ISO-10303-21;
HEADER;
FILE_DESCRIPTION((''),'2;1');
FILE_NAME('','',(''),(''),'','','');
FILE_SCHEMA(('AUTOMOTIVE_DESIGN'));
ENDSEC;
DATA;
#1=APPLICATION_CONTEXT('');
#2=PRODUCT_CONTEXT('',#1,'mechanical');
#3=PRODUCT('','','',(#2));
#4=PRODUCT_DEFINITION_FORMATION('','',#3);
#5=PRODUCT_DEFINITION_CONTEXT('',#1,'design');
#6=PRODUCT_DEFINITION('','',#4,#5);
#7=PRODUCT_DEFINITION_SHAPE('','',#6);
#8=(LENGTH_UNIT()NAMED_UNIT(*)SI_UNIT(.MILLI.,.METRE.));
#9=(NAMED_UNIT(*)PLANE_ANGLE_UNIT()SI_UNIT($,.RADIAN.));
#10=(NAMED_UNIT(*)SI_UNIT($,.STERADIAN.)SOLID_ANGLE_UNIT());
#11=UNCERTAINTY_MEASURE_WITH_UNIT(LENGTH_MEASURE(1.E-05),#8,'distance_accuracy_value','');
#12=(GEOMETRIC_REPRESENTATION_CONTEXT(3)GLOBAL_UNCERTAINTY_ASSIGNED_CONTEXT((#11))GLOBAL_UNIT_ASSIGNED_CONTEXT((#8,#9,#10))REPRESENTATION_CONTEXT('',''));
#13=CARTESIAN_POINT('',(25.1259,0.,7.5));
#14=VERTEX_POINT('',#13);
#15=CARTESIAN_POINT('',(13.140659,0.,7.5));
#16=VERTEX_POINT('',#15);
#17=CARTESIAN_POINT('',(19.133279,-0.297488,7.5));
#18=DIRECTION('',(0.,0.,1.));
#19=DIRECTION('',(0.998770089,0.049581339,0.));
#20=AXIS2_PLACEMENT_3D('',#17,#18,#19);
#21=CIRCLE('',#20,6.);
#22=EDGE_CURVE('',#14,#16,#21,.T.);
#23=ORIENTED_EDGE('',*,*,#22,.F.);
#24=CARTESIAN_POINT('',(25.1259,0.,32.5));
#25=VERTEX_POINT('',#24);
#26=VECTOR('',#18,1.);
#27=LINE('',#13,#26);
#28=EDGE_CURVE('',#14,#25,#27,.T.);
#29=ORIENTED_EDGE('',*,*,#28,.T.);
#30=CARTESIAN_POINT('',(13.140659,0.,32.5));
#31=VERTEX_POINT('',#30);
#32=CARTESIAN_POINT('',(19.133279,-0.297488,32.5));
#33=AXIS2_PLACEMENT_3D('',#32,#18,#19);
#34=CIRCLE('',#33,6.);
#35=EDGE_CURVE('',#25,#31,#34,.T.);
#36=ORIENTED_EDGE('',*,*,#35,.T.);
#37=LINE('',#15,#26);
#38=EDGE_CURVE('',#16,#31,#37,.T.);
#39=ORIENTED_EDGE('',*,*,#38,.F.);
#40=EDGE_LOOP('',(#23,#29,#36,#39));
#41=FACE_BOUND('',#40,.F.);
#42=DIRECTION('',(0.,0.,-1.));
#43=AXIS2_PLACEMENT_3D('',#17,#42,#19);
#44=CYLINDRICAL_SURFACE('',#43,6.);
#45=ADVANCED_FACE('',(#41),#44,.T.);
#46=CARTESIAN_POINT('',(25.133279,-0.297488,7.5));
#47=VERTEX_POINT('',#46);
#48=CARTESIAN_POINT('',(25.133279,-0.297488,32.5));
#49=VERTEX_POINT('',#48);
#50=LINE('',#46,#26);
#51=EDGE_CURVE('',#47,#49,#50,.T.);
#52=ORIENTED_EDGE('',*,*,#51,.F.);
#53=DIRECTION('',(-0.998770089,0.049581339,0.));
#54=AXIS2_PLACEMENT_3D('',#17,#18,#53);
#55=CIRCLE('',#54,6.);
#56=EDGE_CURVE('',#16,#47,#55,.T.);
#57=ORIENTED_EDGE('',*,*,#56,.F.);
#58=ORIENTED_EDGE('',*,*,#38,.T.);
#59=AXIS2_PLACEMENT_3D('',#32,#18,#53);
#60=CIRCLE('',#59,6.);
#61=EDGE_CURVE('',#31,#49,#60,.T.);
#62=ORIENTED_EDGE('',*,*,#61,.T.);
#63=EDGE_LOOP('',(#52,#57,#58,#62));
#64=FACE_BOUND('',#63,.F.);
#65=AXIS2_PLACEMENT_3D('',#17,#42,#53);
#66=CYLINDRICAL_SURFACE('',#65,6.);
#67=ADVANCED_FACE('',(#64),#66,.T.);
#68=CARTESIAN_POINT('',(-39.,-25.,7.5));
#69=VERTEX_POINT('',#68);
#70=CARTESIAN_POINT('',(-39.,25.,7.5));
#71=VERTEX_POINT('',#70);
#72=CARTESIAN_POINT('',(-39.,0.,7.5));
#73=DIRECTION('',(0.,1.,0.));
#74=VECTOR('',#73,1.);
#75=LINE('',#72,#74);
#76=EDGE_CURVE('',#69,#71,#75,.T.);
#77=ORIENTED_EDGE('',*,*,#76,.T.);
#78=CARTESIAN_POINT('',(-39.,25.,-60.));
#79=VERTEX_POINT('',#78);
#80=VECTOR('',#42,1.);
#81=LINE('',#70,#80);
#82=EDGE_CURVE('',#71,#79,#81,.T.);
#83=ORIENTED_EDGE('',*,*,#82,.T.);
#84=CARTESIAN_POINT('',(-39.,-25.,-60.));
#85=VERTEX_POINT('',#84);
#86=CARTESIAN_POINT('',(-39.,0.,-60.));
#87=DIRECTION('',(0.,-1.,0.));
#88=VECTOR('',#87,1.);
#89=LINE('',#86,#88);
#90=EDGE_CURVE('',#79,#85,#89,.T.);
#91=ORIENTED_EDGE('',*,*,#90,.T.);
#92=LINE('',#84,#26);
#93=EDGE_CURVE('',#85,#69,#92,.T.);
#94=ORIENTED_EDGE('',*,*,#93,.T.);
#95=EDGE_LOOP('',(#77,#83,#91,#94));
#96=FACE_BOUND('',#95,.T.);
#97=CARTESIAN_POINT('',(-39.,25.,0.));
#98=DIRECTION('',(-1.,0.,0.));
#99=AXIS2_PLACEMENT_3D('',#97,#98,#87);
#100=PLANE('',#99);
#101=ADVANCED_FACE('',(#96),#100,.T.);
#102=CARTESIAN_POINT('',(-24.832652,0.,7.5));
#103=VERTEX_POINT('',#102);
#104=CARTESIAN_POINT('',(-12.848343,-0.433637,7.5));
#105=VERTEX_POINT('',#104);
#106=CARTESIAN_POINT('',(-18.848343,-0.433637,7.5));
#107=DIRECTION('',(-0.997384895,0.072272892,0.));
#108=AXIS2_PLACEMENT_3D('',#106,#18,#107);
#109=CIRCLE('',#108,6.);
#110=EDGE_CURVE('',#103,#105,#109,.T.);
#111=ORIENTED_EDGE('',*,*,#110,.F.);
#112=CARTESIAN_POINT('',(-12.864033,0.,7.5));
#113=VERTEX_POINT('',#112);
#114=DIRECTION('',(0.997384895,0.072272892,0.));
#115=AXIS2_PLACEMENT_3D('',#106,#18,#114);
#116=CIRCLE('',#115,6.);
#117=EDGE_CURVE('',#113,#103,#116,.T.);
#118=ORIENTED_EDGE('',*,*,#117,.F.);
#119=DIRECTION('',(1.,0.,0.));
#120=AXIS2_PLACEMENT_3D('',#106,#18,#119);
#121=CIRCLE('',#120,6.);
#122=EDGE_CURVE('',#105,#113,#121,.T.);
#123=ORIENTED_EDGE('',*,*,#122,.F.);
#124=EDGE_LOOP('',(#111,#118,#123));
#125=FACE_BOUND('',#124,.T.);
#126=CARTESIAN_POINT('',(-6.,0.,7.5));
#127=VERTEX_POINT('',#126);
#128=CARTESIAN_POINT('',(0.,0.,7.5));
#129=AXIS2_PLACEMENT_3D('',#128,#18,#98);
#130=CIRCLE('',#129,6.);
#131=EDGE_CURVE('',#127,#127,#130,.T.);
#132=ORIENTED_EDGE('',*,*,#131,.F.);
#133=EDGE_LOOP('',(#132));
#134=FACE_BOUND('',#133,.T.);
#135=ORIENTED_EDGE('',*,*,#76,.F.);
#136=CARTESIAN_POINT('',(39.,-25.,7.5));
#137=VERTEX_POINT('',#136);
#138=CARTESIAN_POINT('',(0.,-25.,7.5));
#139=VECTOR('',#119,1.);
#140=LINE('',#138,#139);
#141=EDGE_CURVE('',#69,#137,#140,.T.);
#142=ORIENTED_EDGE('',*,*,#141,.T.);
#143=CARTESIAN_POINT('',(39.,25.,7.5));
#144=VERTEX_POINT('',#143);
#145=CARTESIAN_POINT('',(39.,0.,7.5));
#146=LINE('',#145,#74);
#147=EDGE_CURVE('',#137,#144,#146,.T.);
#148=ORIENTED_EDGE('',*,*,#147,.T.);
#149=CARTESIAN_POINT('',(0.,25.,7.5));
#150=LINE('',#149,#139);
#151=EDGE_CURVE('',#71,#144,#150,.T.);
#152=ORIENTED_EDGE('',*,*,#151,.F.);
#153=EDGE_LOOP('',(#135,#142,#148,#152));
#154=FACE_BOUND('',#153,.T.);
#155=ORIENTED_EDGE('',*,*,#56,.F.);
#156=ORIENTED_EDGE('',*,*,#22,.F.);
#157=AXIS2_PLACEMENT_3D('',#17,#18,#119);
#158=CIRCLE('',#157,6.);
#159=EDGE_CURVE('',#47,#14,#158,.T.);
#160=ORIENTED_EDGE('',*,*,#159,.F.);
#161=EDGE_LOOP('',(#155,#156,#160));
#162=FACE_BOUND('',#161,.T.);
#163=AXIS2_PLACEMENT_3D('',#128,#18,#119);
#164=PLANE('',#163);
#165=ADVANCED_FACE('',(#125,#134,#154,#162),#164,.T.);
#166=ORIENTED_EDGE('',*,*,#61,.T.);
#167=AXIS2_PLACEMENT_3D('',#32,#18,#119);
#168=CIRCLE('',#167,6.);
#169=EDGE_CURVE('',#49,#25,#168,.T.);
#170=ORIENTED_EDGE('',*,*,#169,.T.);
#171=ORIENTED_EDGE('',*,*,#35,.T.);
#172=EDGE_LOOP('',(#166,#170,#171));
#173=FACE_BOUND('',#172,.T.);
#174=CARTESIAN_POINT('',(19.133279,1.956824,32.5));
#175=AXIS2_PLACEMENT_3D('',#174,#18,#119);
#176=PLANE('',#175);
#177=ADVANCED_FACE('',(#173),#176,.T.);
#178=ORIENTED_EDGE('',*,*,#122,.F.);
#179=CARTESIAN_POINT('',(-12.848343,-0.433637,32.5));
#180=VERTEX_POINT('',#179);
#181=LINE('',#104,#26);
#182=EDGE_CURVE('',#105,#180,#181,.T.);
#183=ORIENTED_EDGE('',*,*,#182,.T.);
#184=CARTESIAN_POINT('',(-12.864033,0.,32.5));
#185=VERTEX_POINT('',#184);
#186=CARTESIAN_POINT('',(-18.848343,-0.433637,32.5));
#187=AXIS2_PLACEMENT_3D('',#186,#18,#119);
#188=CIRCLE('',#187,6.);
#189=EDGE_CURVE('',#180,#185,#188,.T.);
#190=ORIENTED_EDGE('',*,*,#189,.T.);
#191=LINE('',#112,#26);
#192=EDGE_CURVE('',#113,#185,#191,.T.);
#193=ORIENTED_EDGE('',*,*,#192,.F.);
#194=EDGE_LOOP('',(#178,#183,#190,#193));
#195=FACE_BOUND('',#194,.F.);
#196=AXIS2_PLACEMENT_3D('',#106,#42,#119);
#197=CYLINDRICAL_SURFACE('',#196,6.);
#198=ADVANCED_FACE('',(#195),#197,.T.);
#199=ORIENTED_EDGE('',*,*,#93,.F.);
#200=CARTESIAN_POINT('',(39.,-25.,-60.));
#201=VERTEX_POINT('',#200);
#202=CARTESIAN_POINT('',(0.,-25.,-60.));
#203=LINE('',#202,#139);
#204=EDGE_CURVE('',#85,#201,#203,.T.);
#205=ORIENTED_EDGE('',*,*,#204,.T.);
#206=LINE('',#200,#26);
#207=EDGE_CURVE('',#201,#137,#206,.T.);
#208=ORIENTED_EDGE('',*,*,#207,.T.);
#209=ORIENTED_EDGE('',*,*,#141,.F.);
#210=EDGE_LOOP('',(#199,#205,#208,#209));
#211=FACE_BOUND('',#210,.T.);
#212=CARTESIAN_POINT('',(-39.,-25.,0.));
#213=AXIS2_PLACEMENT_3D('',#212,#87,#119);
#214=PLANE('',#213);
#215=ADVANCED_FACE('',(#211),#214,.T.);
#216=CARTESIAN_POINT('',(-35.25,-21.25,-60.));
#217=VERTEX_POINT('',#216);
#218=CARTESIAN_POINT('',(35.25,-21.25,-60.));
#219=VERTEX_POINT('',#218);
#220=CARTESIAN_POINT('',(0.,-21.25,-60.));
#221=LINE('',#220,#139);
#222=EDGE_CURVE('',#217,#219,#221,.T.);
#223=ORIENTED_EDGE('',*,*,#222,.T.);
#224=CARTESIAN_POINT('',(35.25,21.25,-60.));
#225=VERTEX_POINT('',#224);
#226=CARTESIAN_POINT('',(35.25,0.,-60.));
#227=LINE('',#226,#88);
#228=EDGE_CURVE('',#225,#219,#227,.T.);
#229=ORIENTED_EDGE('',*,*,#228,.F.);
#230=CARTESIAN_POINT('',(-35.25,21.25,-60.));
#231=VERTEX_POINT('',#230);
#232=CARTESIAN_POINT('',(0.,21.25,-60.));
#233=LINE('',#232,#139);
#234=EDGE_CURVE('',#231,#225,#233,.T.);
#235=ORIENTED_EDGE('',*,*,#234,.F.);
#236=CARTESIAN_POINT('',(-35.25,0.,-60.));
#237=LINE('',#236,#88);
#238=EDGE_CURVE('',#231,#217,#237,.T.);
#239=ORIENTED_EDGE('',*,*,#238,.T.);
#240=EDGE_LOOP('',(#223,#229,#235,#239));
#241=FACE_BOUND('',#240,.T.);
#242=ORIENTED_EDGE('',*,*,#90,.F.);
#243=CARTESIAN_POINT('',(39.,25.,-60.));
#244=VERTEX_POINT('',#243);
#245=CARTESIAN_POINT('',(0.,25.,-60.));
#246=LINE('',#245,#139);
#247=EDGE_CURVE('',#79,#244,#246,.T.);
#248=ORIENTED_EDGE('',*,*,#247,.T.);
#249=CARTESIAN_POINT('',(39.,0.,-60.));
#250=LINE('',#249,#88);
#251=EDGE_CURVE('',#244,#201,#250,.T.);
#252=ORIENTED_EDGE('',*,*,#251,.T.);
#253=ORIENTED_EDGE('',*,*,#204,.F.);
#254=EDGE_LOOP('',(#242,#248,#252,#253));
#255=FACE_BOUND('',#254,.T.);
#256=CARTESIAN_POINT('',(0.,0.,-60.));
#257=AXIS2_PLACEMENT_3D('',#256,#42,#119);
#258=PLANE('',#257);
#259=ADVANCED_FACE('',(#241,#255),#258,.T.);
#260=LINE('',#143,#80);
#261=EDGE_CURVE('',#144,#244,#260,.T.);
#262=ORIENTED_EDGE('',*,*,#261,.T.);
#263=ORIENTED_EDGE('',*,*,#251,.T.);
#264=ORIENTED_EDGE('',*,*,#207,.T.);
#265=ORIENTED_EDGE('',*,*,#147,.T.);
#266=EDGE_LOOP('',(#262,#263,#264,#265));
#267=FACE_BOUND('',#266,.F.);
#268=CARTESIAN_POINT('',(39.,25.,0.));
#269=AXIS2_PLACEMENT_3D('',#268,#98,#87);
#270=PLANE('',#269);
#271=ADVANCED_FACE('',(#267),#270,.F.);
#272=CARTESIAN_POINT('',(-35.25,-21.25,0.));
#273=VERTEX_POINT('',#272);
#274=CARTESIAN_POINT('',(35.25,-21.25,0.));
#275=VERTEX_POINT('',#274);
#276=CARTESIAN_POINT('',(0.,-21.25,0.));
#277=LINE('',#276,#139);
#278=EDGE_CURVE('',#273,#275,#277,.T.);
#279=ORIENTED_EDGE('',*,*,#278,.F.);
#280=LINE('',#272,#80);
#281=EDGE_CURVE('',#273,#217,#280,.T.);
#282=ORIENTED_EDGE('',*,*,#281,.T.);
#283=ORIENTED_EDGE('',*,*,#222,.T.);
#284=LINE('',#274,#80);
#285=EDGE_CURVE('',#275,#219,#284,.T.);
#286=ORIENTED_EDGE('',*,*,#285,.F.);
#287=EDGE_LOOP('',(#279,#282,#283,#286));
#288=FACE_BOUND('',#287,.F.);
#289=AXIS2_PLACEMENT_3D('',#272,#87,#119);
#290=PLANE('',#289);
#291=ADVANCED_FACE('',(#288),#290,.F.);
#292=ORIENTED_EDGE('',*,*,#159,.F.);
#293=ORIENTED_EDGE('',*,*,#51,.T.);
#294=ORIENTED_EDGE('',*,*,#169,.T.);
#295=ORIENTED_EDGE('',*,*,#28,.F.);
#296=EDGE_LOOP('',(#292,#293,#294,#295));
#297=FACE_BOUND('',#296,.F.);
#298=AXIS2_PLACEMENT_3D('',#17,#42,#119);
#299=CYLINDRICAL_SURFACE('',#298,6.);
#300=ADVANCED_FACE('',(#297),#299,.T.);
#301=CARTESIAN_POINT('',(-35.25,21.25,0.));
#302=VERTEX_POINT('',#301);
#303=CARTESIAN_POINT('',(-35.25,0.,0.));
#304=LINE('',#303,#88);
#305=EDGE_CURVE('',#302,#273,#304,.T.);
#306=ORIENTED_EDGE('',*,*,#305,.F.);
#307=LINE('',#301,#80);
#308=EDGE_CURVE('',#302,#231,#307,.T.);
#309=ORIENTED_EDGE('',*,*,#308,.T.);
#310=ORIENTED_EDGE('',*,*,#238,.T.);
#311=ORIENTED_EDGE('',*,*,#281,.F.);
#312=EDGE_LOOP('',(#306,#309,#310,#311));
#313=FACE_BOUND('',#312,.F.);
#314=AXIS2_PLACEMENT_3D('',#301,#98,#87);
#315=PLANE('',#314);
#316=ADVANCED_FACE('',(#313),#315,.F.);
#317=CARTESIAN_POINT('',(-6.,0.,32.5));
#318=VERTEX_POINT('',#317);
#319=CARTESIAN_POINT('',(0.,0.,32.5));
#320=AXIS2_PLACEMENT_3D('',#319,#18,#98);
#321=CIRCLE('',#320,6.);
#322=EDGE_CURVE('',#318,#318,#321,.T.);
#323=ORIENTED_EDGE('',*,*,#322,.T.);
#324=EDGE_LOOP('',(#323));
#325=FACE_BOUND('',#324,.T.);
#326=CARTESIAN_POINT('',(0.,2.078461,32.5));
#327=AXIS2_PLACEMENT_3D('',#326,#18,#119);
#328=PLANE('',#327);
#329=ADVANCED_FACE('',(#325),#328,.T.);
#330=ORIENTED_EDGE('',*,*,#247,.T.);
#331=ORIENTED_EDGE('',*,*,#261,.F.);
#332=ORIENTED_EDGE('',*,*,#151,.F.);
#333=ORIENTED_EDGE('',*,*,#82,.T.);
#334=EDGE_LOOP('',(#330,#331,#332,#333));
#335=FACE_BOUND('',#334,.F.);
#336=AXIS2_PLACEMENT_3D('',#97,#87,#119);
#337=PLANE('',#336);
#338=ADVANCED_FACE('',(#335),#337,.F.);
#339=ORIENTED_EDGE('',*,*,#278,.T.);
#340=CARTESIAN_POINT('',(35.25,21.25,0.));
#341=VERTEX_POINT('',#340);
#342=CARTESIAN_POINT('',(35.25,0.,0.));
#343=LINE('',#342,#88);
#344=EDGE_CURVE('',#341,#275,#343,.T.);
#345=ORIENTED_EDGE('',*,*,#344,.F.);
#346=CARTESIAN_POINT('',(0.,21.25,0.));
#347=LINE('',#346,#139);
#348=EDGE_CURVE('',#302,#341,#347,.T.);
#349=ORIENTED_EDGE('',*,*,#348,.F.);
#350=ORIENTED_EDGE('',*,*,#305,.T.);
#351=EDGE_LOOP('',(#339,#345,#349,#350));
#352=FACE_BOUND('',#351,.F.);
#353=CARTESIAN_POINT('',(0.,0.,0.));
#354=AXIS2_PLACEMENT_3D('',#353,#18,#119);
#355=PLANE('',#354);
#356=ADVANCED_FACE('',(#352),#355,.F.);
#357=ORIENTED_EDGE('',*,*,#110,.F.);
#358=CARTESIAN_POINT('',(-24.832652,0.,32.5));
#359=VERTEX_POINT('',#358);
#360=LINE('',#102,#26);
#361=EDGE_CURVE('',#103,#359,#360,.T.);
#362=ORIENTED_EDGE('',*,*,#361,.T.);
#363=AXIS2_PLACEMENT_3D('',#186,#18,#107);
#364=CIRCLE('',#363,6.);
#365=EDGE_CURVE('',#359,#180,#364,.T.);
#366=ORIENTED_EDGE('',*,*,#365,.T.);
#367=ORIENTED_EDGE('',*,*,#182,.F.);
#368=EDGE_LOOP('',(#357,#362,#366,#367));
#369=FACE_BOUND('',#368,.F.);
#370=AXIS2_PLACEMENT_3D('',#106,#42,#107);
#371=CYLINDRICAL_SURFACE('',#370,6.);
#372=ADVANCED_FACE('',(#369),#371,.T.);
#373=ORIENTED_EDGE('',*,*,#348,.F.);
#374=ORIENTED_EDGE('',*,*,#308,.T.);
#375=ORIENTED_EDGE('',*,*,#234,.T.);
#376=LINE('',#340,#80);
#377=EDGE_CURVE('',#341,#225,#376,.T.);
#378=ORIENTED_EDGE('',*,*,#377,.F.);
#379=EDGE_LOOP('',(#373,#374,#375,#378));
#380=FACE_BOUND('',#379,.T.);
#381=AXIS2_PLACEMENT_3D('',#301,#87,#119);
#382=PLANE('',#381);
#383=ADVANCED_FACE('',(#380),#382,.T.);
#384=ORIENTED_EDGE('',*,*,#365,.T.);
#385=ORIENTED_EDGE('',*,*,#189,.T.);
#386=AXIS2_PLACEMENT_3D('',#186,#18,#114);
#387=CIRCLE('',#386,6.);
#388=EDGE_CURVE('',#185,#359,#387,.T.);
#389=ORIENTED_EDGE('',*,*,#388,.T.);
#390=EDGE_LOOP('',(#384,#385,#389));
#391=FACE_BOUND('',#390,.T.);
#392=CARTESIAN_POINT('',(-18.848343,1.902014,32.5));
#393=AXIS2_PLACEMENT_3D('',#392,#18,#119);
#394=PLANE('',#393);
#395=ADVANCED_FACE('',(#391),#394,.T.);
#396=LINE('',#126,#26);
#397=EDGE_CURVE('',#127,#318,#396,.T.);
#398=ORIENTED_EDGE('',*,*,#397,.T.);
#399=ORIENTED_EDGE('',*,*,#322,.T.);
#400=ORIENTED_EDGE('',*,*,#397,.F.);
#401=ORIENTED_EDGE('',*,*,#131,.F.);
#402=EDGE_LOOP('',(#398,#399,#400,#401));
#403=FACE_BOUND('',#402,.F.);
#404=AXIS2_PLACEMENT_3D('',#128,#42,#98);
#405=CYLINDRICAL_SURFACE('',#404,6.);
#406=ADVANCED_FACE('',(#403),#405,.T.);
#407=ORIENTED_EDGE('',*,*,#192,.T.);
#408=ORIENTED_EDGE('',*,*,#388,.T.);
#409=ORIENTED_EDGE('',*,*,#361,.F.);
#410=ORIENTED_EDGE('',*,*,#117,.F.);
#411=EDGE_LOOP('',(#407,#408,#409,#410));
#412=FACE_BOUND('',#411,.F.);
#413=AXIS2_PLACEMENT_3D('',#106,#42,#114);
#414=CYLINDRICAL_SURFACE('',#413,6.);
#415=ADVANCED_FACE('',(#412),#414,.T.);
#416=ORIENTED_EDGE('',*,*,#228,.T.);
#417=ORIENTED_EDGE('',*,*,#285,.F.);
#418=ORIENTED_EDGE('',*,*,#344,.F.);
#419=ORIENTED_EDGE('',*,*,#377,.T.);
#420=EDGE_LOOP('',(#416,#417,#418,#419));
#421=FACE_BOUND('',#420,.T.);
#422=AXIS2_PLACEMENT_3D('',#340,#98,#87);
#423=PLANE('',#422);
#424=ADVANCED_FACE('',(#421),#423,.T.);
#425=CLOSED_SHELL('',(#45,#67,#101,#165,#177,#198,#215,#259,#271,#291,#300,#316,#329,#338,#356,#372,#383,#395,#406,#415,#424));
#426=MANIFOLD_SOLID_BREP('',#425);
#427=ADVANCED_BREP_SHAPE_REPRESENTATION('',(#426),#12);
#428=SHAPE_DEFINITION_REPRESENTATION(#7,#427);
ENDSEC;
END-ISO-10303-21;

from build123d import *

# Parameters (mm, degrees)
F0_W     = 78
F0_H     = 50
F1_DEPTH = 7.5
F3_DEPTH = 25
F4_W     = 78
F4_H     = 50
F4_W_2   = 70.5
F4_H_2   = 42.5
F5_DEPTH = 60


with BuildPart() as f1:
    # F0 (on Top) → F1 (new body)
    with BuildSketch(Plane.XY):
        Rectangle(F0_W, F0_H)
    extrude(amount=F1_DEPTH)

    # F2 (on face) → F3 (join)
    with BuildSketch(Plane.XY.offset(7.5)):
        with BuildLine():
            Line((-24.8326521918, 0), (-12.8640334502, 0))
            ThreePointArc((-12.8640334502, 0), (-18.848342821, 5.5663626469), (-24.8326521918, 0))
        make_face()
        with BuildLine():
            ThreePointArc((-12.848342821, -0.4336373531), (-12.8522667614, -0.2166767865), (-12.8640334502, 0))
            Line((-12.8640334502, 0), (-24.8326521918, 0))
            ThreePointArc((-24.8326521918, 0), (-19.0653033876, -6.4297134127), (-12.848342821, -0.4336373531))
        make_face()
        with BuildLine():
            Line((-6, 0), (0, 0))
            Line((0, 0), (6, 0))
            ThreePointArc((6, 0), (0, 6), (-6, 0))
        make_face()
        with BuildLine():
            Line((6, 0), (0, 0))
            Line((0, 0), (-6, 0))
            ThreePointArc((-6, 0), (0, -6), (6, 0))
        make_face()
        with BuildLine():
            ThreePointArc((25.1258996345, 0), (19.1332791001, 5.7025119665), (13.1406585656, 0))
            Line((13.1406585656, 0), (25.1258996345, 0))
        make_face()
        with BuildLine():
            Line((25.1258996345, 0), (13.1406585656, 0))
            ThreePointArc((13.1406585656, 0), (18.9844893267, -6.2956428834), (25.1332791001, -0.2974880335))
            ThreePointArc((25.1332791001, -0.2974880335), (25.13143395, -0.1486982602), (25.1258996345, 0))
        make_face()
    extrude(amount=F3_DEPTH)

    # F4 (on face) → F5 (join)
    with BuildSketch(Plane(origin=(0, 0, 0), x_dir=(1, 0, 0), z_dir=(0, 0, -1))):
        Rectangle(F4_W, F4_H)
        Rectangle(F4_W_2, F4_H_2, mode=Mode.SUBTRACT)
    extrude(amount=F5_DEPTH)


solid = f1.part
